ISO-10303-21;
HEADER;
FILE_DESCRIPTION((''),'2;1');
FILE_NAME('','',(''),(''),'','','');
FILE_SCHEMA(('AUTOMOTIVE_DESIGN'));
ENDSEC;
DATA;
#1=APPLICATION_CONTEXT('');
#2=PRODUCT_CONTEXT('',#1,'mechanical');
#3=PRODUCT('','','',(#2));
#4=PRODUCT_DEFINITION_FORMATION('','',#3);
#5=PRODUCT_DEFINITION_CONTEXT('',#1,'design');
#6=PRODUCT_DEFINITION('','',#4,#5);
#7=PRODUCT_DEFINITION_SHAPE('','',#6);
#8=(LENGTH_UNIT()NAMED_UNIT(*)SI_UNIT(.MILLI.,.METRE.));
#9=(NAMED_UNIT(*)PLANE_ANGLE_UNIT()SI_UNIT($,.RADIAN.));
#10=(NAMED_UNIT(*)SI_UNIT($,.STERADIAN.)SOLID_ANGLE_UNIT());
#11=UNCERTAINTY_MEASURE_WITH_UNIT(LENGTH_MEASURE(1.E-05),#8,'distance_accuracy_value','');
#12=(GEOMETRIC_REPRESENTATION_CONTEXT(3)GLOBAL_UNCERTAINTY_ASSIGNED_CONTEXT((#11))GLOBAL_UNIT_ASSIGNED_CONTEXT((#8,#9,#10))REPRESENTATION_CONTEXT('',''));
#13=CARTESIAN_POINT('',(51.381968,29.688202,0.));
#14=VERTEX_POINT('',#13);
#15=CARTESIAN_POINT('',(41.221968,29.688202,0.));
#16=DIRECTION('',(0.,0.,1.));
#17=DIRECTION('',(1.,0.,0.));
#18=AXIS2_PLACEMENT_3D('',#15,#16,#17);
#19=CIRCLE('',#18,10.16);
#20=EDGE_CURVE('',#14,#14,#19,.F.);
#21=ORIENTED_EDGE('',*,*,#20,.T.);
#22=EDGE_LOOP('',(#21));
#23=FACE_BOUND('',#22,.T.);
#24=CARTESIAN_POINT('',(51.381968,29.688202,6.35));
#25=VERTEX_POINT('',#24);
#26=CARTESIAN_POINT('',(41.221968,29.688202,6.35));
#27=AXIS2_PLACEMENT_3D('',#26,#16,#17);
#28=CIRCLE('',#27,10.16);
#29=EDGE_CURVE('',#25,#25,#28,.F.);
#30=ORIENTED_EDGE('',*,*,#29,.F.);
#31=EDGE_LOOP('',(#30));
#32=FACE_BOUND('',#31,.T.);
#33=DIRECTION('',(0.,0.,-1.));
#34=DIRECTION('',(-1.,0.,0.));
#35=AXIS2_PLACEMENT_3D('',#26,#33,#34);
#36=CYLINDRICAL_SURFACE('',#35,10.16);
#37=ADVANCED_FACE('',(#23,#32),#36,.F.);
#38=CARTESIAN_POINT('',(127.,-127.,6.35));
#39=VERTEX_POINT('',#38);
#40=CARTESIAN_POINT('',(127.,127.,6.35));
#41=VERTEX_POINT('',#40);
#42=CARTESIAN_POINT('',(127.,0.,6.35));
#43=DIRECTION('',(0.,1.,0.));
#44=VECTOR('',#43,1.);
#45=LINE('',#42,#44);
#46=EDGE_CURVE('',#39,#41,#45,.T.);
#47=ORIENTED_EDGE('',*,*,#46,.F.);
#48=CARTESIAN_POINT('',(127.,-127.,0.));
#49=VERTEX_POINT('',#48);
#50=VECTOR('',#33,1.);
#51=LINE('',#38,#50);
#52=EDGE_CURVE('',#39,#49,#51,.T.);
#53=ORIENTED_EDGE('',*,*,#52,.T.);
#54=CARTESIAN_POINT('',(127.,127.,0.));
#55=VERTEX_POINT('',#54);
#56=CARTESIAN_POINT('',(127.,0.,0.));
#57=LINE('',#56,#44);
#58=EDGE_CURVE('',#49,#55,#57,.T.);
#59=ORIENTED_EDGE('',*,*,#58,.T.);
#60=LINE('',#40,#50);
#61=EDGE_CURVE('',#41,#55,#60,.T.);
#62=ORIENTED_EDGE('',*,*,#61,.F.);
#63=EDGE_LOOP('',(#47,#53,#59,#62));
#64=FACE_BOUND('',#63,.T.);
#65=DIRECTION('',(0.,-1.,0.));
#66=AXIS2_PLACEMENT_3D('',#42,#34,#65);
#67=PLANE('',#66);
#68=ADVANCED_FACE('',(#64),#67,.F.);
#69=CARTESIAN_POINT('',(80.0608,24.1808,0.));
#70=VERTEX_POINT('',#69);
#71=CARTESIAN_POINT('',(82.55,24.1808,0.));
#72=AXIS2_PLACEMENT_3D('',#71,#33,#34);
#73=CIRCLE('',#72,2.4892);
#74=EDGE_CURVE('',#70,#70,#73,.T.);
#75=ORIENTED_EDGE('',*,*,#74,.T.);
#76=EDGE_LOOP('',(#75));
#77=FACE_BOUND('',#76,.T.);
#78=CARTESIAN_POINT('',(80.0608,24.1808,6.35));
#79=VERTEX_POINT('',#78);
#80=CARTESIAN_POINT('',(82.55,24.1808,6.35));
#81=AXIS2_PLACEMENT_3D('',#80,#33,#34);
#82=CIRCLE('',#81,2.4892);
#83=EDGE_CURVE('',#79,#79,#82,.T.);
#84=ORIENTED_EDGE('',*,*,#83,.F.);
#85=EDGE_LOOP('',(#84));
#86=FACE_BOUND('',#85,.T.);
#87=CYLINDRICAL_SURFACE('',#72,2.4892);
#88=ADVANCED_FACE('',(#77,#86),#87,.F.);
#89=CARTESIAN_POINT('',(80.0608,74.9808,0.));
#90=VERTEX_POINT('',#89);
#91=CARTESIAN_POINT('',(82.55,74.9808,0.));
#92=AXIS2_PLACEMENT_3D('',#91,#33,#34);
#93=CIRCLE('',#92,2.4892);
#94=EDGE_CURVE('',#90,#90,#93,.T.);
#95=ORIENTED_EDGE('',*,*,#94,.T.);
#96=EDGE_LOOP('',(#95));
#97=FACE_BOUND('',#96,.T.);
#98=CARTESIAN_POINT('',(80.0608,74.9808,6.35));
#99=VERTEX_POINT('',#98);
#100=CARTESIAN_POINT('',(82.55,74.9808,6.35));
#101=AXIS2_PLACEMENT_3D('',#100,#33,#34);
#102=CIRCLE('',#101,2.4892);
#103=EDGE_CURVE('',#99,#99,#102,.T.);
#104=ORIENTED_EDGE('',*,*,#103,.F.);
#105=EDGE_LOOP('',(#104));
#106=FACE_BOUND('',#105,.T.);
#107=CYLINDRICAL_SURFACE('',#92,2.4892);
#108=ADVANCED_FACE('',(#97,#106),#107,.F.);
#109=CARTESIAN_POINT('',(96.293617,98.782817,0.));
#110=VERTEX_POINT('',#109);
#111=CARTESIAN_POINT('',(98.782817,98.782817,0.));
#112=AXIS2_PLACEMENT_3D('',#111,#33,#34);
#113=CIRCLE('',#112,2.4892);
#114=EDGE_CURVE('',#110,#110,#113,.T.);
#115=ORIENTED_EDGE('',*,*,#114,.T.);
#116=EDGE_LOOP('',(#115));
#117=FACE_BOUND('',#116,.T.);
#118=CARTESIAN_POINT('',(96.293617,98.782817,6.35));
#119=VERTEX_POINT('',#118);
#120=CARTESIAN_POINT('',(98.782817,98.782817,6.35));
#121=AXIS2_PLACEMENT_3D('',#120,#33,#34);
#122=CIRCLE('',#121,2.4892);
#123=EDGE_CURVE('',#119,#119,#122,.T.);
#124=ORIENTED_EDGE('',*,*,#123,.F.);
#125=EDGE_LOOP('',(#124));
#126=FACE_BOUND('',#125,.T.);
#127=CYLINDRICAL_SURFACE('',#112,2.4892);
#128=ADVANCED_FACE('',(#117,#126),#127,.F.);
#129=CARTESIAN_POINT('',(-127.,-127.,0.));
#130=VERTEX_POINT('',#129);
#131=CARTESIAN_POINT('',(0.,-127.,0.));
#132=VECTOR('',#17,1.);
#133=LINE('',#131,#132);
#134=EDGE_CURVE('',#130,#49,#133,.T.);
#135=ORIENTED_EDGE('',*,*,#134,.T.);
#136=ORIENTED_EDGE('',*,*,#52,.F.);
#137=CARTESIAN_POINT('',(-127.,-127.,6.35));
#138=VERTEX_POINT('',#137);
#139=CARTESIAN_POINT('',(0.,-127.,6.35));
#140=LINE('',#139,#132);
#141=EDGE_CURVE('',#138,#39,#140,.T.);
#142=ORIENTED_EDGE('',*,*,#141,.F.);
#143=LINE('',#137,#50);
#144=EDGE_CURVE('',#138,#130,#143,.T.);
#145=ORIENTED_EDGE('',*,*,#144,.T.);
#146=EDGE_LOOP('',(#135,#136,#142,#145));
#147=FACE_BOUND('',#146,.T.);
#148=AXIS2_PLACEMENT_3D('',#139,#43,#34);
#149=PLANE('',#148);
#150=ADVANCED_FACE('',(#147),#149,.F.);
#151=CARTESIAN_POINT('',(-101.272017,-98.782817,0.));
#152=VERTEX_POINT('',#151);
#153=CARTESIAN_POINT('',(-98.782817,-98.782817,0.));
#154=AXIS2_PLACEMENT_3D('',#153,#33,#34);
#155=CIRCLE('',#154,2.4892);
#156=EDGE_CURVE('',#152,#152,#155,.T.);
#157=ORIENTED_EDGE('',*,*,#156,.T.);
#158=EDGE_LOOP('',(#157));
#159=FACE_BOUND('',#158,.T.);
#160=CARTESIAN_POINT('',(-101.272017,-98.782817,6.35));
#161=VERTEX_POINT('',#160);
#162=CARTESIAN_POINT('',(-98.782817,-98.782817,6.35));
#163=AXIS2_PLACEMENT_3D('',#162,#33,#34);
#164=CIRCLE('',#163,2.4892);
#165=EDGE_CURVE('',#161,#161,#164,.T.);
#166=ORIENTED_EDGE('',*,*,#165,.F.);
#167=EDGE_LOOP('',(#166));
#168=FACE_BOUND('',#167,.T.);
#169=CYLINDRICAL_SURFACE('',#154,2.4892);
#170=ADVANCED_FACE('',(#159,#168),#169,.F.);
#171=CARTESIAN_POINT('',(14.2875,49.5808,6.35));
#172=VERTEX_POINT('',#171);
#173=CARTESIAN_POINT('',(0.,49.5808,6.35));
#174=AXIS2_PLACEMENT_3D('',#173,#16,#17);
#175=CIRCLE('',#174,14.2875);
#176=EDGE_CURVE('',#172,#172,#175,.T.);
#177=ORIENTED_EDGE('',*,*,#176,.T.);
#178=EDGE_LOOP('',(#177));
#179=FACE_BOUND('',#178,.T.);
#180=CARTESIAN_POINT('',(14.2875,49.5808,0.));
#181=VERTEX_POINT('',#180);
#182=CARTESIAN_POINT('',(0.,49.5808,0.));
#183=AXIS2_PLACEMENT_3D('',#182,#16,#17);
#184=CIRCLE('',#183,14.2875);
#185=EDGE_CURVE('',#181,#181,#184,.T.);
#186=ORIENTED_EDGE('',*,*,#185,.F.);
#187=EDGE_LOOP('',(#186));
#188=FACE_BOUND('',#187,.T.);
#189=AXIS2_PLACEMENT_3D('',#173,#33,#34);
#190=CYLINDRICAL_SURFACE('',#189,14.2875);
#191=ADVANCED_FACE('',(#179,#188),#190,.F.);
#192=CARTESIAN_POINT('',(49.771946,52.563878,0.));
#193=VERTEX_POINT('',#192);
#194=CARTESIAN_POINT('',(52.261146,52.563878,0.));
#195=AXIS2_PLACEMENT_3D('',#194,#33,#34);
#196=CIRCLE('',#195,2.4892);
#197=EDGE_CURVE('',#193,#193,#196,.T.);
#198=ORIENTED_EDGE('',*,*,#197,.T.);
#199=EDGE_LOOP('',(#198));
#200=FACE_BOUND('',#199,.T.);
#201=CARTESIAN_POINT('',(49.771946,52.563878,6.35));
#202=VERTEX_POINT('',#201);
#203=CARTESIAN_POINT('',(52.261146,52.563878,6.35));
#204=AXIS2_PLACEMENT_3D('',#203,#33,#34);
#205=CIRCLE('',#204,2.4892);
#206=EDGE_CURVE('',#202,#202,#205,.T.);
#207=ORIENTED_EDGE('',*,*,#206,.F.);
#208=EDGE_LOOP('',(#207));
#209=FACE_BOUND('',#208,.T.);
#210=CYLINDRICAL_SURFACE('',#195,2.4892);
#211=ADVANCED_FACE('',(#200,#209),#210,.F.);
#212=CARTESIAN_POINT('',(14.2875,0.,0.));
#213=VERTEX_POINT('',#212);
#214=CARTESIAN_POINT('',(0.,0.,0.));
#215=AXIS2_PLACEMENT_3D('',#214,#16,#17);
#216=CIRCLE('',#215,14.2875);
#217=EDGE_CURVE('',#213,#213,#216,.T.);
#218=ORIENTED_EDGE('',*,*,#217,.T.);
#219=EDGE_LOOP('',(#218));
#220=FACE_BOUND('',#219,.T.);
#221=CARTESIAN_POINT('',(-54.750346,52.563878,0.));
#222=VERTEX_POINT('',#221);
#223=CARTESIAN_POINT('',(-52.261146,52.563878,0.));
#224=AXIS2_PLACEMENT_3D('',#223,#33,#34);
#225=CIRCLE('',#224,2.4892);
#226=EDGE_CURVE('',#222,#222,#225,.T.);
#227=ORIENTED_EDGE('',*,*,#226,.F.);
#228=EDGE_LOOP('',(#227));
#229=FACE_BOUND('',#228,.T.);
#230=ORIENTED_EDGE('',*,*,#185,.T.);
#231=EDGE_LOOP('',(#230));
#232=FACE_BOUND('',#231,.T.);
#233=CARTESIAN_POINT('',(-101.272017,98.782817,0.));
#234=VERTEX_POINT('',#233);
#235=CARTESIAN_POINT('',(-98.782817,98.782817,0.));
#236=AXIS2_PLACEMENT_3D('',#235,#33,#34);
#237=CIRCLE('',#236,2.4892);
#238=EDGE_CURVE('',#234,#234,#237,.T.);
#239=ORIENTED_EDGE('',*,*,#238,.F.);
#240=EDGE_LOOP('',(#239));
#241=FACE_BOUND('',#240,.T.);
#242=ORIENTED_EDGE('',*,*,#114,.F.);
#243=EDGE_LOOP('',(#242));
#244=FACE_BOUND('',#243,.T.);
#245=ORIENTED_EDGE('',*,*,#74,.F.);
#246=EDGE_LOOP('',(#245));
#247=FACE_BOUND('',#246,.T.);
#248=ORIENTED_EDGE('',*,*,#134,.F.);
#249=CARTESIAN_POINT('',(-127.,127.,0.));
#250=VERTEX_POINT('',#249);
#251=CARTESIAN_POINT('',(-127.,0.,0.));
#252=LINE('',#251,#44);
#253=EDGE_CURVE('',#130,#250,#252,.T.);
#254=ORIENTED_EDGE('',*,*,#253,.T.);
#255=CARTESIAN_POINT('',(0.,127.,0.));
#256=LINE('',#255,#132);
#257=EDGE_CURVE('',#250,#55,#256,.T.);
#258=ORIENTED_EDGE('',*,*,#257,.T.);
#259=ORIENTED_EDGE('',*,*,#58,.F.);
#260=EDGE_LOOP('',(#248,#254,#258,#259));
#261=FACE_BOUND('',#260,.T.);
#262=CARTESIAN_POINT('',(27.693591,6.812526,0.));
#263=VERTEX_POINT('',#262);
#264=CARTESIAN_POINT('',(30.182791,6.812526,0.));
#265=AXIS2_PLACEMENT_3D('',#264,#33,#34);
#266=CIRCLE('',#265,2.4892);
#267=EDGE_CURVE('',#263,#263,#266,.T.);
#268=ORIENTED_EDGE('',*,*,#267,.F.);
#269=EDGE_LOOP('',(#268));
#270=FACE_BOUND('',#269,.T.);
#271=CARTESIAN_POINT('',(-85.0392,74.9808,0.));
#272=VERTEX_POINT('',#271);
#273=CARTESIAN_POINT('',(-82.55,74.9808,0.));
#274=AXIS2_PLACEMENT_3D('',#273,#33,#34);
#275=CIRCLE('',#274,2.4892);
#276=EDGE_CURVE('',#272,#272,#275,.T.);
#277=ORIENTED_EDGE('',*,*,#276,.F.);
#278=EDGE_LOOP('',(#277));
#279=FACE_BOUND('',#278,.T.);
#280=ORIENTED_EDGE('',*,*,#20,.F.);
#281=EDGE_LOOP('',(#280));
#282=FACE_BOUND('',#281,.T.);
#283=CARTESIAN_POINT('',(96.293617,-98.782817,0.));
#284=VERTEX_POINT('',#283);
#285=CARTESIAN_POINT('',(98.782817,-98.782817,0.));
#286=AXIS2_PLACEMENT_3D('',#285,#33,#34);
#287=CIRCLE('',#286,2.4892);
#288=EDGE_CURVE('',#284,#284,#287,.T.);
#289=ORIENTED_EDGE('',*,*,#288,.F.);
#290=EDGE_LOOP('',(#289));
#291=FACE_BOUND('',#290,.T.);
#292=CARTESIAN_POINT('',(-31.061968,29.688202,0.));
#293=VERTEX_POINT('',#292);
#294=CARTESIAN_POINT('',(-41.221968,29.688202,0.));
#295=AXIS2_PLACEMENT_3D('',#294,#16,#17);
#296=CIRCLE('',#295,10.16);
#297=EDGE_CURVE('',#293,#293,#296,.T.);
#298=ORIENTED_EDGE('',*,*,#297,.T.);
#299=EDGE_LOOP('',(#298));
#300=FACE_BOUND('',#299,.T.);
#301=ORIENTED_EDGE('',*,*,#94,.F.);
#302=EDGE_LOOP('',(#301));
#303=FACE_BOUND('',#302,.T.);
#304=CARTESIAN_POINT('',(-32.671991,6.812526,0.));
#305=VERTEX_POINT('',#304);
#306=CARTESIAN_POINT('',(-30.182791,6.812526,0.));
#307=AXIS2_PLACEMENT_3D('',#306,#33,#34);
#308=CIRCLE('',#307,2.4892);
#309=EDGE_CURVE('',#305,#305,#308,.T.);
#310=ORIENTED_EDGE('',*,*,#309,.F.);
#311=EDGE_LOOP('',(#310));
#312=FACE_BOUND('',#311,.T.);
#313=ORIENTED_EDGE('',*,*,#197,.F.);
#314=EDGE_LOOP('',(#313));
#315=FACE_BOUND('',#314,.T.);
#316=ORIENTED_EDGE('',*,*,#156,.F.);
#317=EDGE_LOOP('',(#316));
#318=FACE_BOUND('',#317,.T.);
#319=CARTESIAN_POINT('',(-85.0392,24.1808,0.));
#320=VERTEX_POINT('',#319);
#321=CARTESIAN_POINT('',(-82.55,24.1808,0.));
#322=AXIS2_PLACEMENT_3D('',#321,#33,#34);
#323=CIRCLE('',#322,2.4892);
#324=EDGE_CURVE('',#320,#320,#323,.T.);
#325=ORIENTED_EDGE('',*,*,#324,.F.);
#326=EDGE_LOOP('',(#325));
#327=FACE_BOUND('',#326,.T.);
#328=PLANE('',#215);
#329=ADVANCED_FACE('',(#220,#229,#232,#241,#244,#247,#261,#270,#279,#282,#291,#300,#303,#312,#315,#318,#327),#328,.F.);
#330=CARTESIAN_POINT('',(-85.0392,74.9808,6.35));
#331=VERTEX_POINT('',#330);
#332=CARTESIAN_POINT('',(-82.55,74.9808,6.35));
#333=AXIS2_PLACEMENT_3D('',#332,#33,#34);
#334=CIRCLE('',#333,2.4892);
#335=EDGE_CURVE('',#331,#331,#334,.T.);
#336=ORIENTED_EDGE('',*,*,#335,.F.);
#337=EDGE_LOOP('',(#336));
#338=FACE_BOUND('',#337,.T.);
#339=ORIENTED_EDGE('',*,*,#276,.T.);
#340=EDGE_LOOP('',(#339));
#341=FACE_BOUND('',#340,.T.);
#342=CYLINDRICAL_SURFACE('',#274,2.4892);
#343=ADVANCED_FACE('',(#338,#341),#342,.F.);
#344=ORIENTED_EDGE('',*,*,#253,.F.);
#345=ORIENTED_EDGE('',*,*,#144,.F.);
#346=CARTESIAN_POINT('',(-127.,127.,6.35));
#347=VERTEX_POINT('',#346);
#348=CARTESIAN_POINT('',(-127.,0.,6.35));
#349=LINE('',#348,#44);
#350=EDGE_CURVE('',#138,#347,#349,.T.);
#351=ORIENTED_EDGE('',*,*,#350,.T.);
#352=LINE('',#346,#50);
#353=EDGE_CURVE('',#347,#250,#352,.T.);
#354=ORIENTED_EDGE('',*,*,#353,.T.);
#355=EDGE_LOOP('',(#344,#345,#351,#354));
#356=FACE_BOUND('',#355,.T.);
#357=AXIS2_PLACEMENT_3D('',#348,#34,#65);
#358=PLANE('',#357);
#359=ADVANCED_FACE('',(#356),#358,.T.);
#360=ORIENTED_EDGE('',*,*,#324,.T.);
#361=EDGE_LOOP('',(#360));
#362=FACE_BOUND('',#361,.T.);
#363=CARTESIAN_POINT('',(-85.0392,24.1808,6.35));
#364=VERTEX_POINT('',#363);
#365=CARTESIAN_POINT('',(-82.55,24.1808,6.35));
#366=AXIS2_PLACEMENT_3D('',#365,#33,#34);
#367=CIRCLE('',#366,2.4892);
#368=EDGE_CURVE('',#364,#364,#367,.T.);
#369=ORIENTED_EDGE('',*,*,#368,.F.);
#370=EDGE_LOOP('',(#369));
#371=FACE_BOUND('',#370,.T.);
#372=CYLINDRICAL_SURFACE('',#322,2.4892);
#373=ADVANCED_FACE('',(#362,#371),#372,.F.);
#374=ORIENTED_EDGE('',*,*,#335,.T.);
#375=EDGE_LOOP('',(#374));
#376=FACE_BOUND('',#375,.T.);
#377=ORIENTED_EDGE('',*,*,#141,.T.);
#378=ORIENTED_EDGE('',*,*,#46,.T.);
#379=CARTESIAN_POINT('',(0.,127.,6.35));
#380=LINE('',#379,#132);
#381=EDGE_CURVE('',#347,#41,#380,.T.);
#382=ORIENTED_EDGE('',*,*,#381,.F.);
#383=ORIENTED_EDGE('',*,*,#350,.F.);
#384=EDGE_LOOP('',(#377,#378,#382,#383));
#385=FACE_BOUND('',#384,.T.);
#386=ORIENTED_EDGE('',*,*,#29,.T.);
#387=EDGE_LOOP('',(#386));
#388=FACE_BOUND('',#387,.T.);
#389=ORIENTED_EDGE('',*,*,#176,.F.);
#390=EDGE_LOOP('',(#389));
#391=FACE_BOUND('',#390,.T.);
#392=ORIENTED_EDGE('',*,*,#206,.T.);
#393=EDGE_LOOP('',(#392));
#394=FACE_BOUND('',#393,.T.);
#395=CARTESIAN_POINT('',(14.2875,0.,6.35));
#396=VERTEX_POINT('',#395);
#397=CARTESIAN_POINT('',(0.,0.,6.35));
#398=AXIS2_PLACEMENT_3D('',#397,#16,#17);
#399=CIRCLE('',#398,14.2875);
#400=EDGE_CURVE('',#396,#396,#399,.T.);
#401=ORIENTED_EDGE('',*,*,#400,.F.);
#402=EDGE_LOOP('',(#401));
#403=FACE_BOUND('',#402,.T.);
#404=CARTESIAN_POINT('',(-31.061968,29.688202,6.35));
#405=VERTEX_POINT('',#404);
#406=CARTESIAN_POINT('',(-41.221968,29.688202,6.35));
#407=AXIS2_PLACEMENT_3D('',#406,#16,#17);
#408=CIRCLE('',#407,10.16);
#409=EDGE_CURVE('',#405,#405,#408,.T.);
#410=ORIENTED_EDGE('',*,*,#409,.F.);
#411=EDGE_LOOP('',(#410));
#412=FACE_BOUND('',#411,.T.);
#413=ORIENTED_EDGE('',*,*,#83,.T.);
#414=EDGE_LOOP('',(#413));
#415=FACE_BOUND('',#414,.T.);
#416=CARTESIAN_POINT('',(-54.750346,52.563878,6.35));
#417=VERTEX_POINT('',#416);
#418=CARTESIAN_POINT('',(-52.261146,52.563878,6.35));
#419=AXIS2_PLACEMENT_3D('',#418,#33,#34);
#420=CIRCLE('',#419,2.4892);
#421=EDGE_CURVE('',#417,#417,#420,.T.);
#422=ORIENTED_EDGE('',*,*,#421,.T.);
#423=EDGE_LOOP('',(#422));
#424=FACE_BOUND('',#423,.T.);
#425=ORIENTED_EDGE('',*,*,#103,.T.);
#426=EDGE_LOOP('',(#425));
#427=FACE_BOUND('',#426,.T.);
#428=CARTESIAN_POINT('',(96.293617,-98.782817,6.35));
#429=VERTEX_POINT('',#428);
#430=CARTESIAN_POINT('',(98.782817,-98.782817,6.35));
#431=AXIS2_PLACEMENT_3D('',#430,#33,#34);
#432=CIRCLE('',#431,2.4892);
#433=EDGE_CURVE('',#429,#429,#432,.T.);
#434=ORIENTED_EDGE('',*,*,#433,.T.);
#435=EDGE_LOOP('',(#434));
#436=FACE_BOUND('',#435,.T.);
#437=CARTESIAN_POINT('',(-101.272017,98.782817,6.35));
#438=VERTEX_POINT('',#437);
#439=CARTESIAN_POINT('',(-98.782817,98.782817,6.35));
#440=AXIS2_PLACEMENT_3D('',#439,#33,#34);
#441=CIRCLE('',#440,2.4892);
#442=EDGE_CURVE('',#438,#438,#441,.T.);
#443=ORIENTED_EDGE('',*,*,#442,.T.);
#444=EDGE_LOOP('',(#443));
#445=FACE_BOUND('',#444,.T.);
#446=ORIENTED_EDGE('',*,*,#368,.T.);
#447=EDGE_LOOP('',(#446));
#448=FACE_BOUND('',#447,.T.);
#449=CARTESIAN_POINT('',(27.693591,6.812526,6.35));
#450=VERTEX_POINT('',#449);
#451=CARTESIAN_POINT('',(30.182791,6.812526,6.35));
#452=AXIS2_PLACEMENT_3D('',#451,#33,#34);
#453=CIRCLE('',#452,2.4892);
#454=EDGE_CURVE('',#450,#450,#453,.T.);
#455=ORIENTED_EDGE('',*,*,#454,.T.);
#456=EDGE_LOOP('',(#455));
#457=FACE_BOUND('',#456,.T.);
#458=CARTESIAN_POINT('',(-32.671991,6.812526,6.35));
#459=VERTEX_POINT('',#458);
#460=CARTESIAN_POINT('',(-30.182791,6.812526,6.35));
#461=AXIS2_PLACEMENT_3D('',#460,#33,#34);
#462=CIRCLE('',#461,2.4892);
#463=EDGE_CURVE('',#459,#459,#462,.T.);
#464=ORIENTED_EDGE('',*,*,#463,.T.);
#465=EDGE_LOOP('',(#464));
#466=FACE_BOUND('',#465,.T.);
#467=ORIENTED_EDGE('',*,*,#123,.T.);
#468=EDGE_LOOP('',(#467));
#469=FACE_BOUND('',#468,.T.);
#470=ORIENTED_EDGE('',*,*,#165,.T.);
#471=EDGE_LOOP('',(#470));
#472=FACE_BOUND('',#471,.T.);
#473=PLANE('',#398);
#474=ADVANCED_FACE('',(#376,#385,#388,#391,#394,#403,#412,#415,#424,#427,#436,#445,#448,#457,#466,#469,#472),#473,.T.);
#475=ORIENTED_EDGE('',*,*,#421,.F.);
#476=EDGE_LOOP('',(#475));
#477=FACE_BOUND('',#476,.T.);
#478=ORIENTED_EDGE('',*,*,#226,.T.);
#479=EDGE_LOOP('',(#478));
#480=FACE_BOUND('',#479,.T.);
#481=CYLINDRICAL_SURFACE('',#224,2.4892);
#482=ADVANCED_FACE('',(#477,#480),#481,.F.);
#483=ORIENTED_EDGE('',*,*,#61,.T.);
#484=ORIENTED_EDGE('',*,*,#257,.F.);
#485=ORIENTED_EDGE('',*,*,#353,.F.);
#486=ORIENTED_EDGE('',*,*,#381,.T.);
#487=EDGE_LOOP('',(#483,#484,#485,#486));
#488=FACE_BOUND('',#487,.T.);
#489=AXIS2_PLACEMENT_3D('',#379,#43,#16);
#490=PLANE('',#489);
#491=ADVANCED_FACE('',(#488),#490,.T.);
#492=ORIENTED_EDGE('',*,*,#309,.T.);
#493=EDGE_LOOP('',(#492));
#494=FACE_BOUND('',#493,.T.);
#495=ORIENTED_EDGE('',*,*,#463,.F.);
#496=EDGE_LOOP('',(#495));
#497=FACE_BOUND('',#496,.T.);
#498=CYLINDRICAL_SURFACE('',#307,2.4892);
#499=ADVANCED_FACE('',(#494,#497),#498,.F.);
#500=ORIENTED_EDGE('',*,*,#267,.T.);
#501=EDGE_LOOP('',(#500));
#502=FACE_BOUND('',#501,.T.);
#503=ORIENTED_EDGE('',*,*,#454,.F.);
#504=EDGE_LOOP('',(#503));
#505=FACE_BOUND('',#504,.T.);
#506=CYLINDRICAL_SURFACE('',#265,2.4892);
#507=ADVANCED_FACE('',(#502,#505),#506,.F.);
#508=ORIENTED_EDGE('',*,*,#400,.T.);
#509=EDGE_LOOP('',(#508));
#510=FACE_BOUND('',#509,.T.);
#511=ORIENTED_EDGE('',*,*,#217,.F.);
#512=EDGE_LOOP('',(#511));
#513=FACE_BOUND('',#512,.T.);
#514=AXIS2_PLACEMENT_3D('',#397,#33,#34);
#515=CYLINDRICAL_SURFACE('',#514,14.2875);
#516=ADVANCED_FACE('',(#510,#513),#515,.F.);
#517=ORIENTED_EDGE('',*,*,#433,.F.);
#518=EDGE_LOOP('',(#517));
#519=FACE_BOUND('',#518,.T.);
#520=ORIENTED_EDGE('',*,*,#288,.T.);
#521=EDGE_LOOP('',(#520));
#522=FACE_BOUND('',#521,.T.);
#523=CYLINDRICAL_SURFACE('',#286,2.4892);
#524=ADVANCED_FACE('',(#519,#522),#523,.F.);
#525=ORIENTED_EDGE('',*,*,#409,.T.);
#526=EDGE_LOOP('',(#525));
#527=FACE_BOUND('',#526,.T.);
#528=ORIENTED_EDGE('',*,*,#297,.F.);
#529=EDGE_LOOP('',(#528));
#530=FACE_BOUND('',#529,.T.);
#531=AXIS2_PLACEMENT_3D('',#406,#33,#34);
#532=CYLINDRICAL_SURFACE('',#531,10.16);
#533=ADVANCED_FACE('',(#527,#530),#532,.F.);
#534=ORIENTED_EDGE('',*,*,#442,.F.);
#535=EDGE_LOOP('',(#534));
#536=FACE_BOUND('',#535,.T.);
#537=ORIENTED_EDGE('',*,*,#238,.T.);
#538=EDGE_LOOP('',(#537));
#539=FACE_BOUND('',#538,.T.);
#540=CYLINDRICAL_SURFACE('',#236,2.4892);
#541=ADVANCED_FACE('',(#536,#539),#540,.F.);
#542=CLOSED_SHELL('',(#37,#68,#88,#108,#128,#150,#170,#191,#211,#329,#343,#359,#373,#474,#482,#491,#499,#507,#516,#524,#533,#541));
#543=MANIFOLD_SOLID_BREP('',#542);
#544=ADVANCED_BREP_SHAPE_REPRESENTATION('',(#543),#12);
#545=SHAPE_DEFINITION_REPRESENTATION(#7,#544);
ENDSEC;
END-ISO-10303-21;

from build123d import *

# Parameters (mm, degrees)
SKETCH1_W                  = 254
SKETCH1_H                  = 254
SKETCH1_R                  = 10.16
SKETCH1_R_2                = 14.2875
BOSS_EXTRUDE2_DEPTH        = 6.35
F_9_0_196_DIAMETER_HOLE1_D = 4.9784


with BuildPart() as part:
    # Sketch1 → Boss-Extrude2 (new body)
    with BuildSketch(Plane.XY):
        Rectangle(SKETCH1_W, SKETCH1_H)
        with Locations((-41.221968309, 29.688201844)):
            Circle(SKETCH1_R, mode=Mode.SUBTRACT)
        with Locations((0, 49.5808)):
            Circle(SKETCH1_R_2, mode=Mode.SUBTRACT)
        Circle(SKETCH1_R_2, mode=Mode.SUBTRACT)
        with Locations((41.221968309, 29.688201844)):
            Circle(SKETCH1_R, mode=Mode.SUBTRACT)
    extrude(amount=BOSS_EXTRUDE2_DEPTH)

    # #9 (0.196) Diameter Hole1 (through all)
    with Locations(Plane(origin=(0, 0, 0), x_dir=(-1, 0, 0), z_dir=(0, 0, -1))):
        with Locations((-98.782817332, 98.782817332), (-52.261145976, 52.563877931), (-30.182790642, 6.812525757), (30.182790642, 6.812525757), (52.261145976, 52.563877931), (98.782817332, 98.782817332), (98.782817332, -98.782817332), (-98.782817332, -98.782817332), (-82.55, 74.9808), (-82.55, 24.1808), (82.55, 74.9808), (82.55, 24.1808)):
            Hole(F_9_0_196_DIAMETER_HOLE1_D / 2)


solid = part.part
